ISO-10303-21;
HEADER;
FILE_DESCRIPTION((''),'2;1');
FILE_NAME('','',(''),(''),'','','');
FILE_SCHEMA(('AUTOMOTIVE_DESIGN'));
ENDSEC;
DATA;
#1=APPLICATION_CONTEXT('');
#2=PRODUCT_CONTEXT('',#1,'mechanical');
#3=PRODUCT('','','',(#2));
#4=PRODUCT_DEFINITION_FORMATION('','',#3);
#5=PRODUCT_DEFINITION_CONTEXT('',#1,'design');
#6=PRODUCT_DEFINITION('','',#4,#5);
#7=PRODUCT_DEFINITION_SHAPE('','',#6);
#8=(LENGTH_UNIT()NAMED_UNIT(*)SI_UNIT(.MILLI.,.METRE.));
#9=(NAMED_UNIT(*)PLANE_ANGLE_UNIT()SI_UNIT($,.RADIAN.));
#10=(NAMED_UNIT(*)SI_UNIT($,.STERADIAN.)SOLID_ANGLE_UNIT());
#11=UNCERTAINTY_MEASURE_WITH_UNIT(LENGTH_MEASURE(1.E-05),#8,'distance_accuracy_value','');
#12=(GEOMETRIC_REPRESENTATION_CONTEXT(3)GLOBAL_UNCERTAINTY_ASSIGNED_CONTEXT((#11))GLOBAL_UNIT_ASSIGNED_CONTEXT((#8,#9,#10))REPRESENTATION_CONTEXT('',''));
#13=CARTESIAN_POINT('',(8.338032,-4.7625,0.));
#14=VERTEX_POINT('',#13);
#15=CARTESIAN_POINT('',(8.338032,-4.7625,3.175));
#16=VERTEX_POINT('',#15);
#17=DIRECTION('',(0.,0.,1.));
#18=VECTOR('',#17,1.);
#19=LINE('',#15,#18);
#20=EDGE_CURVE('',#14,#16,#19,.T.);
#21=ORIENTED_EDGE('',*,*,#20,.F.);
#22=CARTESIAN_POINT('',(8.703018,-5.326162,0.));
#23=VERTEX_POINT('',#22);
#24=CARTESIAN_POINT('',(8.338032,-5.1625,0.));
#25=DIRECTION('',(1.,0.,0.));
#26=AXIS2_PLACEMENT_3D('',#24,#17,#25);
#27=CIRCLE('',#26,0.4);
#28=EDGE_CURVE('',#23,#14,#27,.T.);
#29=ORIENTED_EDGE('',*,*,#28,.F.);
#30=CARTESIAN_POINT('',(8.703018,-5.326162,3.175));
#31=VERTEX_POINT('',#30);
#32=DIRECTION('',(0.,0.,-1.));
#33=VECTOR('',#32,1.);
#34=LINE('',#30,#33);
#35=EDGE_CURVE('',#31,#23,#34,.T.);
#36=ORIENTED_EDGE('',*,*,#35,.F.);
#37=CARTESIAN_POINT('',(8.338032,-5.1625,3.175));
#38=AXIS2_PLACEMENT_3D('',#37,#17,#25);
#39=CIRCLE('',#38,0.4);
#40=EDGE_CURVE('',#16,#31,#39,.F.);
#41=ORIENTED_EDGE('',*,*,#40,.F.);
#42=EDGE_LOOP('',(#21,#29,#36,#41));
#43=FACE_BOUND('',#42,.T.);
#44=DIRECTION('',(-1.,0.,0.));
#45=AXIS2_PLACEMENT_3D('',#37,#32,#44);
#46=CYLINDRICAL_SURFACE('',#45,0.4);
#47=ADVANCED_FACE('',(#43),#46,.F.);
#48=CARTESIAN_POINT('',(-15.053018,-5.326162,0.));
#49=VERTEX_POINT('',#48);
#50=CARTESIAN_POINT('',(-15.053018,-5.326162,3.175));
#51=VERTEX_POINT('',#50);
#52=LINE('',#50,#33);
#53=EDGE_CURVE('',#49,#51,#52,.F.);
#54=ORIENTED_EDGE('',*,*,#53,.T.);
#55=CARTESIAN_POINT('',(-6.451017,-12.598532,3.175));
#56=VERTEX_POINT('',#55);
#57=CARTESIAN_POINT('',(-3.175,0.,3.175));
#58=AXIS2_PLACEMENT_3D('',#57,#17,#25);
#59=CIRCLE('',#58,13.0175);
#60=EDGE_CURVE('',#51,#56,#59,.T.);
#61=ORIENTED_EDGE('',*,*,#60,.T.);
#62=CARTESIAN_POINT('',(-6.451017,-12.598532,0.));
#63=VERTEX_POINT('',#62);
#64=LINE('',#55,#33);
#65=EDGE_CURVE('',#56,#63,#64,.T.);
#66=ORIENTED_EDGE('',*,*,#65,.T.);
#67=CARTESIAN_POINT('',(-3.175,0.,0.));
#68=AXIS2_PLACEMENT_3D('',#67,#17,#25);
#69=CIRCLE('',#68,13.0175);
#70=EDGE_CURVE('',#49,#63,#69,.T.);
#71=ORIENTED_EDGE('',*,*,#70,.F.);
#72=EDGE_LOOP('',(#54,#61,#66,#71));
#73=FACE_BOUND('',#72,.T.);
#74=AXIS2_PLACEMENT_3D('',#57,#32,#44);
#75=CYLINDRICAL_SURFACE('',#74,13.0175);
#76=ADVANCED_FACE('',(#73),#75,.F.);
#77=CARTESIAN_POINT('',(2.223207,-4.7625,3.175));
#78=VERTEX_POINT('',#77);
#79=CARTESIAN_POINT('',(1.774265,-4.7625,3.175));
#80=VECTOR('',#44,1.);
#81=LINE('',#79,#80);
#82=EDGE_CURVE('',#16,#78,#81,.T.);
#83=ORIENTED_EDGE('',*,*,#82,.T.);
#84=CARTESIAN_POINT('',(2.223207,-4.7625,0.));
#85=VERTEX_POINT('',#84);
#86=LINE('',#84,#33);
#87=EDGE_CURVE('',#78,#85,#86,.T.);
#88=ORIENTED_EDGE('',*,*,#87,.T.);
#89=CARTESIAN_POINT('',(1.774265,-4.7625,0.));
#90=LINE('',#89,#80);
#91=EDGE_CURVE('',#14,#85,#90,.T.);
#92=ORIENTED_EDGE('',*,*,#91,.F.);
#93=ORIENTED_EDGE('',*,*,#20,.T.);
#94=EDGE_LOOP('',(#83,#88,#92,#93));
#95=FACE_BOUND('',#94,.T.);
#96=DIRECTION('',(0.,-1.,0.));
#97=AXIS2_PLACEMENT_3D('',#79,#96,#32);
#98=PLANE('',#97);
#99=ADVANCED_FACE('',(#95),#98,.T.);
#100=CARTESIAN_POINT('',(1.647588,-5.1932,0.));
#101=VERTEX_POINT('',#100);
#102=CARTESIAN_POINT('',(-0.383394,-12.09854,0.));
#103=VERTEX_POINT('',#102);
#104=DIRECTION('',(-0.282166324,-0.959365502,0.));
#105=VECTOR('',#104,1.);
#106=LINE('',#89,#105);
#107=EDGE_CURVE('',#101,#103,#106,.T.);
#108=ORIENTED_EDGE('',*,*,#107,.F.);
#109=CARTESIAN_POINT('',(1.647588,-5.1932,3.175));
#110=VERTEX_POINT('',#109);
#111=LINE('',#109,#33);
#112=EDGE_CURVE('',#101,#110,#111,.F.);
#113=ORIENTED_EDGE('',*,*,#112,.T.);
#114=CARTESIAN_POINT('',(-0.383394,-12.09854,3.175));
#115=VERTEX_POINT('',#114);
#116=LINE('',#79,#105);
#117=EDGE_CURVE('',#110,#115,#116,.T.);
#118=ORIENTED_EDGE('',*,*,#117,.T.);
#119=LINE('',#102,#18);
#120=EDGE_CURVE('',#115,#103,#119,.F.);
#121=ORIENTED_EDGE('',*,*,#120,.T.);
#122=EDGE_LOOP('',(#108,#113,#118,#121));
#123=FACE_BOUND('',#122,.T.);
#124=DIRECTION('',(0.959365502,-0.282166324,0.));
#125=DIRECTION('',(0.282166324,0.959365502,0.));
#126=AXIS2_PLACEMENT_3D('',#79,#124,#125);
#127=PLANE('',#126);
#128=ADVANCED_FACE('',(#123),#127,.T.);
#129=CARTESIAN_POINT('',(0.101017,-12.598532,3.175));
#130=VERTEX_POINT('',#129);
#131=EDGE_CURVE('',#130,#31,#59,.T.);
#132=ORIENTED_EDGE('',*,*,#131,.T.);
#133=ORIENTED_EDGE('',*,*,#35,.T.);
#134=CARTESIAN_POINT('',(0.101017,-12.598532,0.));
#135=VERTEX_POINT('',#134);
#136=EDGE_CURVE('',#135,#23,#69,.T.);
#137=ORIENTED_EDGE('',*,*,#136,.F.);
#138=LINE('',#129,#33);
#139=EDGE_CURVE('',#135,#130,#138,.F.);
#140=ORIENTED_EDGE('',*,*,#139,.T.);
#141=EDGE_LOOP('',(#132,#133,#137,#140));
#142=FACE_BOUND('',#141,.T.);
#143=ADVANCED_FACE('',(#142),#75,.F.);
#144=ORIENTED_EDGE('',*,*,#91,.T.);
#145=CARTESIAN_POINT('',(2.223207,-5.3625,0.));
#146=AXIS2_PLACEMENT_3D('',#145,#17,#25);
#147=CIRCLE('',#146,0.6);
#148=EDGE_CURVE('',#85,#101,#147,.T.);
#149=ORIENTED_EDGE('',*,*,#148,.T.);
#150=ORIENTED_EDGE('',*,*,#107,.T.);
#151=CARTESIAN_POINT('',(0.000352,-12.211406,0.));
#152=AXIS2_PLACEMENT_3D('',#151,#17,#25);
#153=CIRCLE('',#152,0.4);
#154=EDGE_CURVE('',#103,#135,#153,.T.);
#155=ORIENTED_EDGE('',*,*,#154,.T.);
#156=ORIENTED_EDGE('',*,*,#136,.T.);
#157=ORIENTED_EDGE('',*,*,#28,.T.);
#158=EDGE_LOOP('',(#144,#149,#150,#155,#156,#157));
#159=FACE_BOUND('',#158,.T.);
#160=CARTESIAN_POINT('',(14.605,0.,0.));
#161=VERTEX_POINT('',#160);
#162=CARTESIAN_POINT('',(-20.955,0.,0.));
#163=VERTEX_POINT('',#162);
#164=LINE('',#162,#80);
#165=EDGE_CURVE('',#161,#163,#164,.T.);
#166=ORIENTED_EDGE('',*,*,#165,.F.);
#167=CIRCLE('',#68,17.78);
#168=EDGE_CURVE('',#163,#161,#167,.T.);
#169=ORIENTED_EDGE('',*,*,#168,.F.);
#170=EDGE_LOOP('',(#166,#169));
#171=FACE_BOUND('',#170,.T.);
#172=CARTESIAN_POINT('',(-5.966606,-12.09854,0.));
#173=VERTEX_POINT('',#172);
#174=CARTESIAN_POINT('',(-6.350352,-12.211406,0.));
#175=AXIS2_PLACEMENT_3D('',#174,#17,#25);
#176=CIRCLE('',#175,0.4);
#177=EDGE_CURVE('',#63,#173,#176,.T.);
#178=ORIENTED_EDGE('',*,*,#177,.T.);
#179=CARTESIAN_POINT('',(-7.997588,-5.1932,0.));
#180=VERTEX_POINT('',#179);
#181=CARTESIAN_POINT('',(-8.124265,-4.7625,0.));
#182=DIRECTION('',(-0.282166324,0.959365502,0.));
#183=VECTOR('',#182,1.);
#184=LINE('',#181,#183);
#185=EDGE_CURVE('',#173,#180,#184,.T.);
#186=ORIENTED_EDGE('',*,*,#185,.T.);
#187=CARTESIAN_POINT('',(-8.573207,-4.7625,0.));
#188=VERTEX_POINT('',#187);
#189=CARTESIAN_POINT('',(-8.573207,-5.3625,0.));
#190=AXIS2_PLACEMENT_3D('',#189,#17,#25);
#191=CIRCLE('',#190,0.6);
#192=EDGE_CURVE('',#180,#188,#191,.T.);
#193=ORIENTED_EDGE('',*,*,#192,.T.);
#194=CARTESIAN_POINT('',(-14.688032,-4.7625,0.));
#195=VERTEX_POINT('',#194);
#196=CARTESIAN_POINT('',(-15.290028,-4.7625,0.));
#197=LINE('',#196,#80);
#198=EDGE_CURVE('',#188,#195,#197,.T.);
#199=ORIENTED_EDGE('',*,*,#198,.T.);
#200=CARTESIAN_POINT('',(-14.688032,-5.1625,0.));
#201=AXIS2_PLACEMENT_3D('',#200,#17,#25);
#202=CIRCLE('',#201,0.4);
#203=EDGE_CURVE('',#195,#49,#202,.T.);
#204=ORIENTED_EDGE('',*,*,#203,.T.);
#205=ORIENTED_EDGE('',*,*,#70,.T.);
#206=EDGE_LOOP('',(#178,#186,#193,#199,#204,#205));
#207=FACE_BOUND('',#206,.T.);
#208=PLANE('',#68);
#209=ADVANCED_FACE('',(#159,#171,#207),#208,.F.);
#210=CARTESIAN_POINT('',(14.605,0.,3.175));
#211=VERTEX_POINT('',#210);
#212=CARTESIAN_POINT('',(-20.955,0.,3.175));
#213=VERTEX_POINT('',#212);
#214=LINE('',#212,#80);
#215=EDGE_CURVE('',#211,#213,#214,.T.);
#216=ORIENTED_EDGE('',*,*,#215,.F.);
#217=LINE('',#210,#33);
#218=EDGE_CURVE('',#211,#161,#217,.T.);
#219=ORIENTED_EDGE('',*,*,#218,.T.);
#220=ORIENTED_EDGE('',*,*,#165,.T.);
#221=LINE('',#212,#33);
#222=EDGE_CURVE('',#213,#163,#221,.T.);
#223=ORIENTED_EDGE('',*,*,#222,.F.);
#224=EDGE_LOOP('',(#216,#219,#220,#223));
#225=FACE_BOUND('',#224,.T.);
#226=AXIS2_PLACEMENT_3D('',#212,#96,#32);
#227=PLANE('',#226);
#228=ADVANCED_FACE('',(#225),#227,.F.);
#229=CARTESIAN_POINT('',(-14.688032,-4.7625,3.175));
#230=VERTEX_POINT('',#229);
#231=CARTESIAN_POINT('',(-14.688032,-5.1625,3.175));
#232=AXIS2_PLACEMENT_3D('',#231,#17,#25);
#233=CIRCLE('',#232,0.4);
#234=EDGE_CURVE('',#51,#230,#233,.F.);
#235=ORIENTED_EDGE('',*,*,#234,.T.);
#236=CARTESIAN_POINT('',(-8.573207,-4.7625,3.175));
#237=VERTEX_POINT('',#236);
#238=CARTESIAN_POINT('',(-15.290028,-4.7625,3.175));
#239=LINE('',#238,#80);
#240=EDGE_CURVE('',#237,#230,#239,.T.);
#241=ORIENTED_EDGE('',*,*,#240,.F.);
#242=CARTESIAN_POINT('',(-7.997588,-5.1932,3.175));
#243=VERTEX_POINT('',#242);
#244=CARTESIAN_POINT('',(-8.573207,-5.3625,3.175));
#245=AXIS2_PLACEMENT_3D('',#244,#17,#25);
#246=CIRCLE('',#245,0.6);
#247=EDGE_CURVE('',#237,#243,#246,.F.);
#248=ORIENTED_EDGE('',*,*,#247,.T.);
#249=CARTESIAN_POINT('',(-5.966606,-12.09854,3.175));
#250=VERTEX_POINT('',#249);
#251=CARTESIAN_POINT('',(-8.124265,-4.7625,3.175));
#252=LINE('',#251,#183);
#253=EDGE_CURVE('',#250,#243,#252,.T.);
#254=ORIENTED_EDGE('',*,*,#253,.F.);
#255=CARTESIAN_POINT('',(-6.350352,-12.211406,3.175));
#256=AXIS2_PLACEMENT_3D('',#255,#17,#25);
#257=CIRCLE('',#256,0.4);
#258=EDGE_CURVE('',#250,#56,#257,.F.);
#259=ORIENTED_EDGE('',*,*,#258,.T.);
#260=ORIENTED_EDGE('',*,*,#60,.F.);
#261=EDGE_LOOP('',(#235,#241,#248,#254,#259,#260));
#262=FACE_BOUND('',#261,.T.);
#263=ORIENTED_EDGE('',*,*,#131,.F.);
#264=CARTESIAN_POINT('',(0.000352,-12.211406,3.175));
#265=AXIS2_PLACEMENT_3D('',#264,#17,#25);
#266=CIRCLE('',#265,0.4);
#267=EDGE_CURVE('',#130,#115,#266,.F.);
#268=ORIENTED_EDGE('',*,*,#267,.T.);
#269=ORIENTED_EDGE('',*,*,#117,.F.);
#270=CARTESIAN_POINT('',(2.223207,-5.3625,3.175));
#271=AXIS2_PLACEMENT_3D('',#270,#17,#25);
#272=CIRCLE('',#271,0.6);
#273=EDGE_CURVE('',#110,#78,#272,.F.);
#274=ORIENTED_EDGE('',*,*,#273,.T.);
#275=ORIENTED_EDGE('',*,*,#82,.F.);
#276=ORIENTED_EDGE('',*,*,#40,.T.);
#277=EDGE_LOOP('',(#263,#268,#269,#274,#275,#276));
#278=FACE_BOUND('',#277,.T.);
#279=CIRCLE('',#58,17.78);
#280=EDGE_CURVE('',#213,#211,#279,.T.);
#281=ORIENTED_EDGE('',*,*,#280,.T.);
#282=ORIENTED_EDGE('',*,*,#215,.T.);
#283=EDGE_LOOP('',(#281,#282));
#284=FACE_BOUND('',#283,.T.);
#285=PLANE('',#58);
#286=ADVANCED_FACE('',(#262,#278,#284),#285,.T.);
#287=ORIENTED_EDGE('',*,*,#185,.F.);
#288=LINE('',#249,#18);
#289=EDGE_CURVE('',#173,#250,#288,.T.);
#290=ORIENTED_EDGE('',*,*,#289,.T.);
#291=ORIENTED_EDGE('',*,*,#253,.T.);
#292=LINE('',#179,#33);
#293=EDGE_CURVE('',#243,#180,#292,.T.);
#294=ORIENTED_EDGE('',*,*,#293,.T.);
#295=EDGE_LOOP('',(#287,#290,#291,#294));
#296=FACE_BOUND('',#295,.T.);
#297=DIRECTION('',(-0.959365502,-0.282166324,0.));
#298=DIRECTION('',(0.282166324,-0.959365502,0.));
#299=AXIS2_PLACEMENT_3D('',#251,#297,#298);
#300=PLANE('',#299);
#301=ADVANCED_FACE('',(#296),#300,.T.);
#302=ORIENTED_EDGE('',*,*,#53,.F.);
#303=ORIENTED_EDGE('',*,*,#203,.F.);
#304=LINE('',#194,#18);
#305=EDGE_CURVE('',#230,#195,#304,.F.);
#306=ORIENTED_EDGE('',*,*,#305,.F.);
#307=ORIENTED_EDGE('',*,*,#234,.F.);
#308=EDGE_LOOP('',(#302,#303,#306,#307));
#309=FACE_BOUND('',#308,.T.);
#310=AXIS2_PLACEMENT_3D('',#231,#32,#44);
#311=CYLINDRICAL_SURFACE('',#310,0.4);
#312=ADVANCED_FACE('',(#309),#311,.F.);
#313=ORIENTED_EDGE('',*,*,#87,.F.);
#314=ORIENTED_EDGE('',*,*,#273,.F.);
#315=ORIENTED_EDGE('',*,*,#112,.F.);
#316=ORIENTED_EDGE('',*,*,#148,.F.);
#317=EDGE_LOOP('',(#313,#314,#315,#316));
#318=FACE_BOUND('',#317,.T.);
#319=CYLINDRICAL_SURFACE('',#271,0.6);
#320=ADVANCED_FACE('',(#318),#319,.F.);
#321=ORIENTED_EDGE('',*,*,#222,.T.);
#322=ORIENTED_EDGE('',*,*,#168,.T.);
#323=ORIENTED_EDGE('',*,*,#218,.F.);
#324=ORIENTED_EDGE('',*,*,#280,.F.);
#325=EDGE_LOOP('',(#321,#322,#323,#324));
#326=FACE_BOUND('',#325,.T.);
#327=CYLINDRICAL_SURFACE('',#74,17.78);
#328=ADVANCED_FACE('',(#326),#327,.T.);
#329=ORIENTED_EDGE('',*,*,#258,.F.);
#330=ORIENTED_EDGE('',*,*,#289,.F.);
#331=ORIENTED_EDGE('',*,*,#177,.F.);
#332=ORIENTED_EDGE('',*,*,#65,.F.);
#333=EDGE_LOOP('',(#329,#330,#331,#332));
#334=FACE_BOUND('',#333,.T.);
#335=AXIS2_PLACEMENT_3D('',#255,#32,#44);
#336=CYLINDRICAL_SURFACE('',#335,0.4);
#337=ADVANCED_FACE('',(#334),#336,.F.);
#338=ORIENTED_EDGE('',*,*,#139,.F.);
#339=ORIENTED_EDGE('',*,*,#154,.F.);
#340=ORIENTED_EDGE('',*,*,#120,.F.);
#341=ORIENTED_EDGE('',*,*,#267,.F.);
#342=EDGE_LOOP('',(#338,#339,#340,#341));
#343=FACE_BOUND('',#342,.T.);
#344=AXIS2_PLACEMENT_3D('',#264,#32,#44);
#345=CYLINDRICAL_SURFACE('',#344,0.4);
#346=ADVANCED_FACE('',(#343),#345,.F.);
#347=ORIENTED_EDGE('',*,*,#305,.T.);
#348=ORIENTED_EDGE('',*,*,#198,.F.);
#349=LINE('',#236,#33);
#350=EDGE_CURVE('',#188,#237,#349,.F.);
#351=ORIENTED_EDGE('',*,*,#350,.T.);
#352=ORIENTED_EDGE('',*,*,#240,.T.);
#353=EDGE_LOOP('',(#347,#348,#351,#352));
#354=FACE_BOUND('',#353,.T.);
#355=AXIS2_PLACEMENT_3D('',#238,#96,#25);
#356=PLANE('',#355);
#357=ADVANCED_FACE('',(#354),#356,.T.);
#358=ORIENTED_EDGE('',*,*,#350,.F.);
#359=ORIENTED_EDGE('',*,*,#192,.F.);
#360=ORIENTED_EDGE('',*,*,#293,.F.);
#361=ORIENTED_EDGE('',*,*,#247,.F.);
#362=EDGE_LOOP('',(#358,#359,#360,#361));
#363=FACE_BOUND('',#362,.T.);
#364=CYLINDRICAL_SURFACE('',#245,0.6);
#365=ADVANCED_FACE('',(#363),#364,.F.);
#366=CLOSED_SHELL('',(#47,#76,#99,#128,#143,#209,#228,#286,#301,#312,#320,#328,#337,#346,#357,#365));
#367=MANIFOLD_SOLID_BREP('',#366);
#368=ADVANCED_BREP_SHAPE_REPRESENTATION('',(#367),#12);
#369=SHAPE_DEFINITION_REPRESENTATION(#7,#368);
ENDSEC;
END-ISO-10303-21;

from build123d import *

# Parameters (mm, degrees)
BOSS_EXTRUDE1_DEPTH = 3.175
FILLET1_R           = 0.4
FILLET2_R           = 0.6


with BuildPart() as part:
    # Sketch1 → Boss-Extrude1 (new body)
    with BuildSketch(Plane.XY):
        with BuildLine():
            Line((-20.955, 0), (14.605, 0))
            ThreePointArc((14.605, 0), (-3.175, -17.78), (-20.955, 0))
        make_face()
        with BuildLine():
            Line((1.774264706, -4.7625), (8.940027858, -4.7625))
            ThreePointArc((8.940027858, -4.7625), (5.197167803, -9.968054601), (-0.576629116, -12.755538993))
            Line((-0.576629116, -12.755538993), (1.774264706, -4.7625))
        make_face(mode=Mode.SUBTRACT)
        with BuildLine():
            Line((-15.290027858, -4.7625), (-8.124264706, -4.7625))
            Line((-8.124264706, -4.7625), (-5.773370884, -12.755538993))
            ThreePointArc((-5.773370884, -12.755538993), (-11.547167803, -9.968054601), (-15.290027858, -4.7625))
        make_face(mode=Mode.SUBTRACT)
    extrude(amount=BOSS_EXTRUDE1_DEPTH)

    # Fillet1
    fillet1_edges = [part.edges().sort_by_distance(p)[0] for p in [
        (-5.773370884, -12.755538993, 1.5875),
        (-0.576629116, -12.755538993, 1.5875),
        (8.940027858, -4.7625, 1.5875),
        (-15.290027858, -4.7625, 1.5875),
    ]]
    fillet(fillet1_edges, radius=FILLET1_R)

    # Fillet2
    fillet2_edges = [part.edges().sort_by_distance(p)[0] for p in [
        (-8.124264706, -4.7625, 1.5875),
        (1.774264706, -4.7625, 1.5875),
    ]]
    fillet(fillet2_edges, radius=FILLET2_R)


solid = part.part
